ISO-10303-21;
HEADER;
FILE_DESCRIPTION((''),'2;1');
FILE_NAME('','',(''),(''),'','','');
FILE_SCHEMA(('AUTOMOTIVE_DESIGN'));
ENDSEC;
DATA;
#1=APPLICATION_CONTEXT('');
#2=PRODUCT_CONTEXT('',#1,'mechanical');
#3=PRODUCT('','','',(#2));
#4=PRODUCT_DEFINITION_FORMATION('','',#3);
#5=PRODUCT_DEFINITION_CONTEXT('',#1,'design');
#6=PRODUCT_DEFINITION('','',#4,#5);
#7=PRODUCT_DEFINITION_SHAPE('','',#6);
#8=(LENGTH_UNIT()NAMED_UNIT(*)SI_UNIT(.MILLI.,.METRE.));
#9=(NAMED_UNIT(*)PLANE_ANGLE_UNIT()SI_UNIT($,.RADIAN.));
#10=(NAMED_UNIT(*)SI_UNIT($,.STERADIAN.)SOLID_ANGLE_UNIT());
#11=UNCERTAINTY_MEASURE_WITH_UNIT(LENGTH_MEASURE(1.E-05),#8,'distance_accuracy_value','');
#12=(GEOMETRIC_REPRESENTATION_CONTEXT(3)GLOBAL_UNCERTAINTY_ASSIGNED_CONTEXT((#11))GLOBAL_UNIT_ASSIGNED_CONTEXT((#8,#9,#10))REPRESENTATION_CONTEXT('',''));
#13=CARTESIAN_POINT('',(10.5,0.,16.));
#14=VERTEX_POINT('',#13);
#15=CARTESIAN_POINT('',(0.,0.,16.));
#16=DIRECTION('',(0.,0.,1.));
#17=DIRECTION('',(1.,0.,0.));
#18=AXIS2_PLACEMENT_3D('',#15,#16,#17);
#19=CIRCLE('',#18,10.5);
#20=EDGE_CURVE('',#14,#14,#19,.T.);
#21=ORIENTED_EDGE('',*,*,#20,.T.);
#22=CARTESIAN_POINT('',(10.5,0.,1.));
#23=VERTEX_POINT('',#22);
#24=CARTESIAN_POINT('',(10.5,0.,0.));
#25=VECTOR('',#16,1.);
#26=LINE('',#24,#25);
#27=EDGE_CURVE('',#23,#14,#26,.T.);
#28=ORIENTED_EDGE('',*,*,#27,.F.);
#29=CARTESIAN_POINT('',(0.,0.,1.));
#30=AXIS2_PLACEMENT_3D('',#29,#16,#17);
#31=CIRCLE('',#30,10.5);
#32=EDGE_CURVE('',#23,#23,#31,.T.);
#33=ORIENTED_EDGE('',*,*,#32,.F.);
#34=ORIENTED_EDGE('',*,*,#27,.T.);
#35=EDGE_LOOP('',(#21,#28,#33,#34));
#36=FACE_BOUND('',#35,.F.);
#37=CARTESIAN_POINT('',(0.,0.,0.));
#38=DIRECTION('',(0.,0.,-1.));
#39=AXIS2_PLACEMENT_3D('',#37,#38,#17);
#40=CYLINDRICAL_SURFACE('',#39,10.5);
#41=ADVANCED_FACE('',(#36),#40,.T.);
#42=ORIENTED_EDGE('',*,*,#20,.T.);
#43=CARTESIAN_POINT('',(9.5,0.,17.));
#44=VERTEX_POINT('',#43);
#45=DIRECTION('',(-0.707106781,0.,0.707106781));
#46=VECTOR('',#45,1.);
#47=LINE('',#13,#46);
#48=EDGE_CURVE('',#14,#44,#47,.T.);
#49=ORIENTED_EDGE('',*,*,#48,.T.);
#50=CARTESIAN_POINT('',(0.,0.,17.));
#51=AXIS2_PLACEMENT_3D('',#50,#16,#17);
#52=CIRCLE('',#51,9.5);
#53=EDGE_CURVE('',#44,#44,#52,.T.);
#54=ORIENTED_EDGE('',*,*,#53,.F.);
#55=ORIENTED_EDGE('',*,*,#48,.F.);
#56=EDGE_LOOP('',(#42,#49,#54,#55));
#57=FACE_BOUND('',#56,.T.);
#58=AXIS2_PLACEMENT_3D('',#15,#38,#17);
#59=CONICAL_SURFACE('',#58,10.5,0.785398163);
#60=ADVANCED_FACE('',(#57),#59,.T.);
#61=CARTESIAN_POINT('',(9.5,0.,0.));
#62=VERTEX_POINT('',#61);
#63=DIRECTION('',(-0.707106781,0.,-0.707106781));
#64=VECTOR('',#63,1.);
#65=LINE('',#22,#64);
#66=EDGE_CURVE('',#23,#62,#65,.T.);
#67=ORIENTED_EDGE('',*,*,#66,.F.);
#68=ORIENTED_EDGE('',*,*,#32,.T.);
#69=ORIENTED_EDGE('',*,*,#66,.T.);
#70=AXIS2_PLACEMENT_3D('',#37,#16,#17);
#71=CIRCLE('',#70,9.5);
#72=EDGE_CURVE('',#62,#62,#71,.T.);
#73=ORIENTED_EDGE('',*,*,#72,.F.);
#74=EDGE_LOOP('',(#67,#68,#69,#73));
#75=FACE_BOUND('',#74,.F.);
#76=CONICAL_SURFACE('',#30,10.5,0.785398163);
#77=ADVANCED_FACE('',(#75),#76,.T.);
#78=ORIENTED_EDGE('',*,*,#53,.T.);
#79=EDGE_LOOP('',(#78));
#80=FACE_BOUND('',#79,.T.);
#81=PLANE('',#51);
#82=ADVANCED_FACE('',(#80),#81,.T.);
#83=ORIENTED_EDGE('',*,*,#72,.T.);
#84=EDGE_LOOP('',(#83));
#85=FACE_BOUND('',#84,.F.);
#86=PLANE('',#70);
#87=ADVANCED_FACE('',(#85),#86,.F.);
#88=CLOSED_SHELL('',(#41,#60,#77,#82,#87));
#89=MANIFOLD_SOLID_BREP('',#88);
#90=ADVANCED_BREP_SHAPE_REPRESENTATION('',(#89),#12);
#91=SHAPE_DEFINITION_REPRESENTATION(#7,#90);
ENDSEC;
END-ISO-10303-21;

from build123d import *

# Parameters (mm, degrees)
SKETCH_R        = 10.5
PAD_DEPTH       = 17
CHAMFER_SIZE    = 1
CHAMFER001_SIZE = 1


with BuildPart() as part:
    # Sketch → Pad (new body)
    with BuildSketch(Plane.XY):
        Circle(SKETCH_R)
    extrude(amount=PAD_DEPTH)

    # Chamfer
    chamfer_edges = [part.edges().sort_by_distance(p)[0] for p in [
        (-10.5, 0, 17),
    ]]
    chamfer(chamfer_edges, length=CHAMFER_SIZE)

    # Chamfer001
    chamfer001_edges = [part.edges().sort_by_distance(p)[0] for p in [
        (-10.5, 0, 0),
    ]]
    chamfer(chamfer001_edges, length=CHAMFER001_SIZE)


solid = part.part
